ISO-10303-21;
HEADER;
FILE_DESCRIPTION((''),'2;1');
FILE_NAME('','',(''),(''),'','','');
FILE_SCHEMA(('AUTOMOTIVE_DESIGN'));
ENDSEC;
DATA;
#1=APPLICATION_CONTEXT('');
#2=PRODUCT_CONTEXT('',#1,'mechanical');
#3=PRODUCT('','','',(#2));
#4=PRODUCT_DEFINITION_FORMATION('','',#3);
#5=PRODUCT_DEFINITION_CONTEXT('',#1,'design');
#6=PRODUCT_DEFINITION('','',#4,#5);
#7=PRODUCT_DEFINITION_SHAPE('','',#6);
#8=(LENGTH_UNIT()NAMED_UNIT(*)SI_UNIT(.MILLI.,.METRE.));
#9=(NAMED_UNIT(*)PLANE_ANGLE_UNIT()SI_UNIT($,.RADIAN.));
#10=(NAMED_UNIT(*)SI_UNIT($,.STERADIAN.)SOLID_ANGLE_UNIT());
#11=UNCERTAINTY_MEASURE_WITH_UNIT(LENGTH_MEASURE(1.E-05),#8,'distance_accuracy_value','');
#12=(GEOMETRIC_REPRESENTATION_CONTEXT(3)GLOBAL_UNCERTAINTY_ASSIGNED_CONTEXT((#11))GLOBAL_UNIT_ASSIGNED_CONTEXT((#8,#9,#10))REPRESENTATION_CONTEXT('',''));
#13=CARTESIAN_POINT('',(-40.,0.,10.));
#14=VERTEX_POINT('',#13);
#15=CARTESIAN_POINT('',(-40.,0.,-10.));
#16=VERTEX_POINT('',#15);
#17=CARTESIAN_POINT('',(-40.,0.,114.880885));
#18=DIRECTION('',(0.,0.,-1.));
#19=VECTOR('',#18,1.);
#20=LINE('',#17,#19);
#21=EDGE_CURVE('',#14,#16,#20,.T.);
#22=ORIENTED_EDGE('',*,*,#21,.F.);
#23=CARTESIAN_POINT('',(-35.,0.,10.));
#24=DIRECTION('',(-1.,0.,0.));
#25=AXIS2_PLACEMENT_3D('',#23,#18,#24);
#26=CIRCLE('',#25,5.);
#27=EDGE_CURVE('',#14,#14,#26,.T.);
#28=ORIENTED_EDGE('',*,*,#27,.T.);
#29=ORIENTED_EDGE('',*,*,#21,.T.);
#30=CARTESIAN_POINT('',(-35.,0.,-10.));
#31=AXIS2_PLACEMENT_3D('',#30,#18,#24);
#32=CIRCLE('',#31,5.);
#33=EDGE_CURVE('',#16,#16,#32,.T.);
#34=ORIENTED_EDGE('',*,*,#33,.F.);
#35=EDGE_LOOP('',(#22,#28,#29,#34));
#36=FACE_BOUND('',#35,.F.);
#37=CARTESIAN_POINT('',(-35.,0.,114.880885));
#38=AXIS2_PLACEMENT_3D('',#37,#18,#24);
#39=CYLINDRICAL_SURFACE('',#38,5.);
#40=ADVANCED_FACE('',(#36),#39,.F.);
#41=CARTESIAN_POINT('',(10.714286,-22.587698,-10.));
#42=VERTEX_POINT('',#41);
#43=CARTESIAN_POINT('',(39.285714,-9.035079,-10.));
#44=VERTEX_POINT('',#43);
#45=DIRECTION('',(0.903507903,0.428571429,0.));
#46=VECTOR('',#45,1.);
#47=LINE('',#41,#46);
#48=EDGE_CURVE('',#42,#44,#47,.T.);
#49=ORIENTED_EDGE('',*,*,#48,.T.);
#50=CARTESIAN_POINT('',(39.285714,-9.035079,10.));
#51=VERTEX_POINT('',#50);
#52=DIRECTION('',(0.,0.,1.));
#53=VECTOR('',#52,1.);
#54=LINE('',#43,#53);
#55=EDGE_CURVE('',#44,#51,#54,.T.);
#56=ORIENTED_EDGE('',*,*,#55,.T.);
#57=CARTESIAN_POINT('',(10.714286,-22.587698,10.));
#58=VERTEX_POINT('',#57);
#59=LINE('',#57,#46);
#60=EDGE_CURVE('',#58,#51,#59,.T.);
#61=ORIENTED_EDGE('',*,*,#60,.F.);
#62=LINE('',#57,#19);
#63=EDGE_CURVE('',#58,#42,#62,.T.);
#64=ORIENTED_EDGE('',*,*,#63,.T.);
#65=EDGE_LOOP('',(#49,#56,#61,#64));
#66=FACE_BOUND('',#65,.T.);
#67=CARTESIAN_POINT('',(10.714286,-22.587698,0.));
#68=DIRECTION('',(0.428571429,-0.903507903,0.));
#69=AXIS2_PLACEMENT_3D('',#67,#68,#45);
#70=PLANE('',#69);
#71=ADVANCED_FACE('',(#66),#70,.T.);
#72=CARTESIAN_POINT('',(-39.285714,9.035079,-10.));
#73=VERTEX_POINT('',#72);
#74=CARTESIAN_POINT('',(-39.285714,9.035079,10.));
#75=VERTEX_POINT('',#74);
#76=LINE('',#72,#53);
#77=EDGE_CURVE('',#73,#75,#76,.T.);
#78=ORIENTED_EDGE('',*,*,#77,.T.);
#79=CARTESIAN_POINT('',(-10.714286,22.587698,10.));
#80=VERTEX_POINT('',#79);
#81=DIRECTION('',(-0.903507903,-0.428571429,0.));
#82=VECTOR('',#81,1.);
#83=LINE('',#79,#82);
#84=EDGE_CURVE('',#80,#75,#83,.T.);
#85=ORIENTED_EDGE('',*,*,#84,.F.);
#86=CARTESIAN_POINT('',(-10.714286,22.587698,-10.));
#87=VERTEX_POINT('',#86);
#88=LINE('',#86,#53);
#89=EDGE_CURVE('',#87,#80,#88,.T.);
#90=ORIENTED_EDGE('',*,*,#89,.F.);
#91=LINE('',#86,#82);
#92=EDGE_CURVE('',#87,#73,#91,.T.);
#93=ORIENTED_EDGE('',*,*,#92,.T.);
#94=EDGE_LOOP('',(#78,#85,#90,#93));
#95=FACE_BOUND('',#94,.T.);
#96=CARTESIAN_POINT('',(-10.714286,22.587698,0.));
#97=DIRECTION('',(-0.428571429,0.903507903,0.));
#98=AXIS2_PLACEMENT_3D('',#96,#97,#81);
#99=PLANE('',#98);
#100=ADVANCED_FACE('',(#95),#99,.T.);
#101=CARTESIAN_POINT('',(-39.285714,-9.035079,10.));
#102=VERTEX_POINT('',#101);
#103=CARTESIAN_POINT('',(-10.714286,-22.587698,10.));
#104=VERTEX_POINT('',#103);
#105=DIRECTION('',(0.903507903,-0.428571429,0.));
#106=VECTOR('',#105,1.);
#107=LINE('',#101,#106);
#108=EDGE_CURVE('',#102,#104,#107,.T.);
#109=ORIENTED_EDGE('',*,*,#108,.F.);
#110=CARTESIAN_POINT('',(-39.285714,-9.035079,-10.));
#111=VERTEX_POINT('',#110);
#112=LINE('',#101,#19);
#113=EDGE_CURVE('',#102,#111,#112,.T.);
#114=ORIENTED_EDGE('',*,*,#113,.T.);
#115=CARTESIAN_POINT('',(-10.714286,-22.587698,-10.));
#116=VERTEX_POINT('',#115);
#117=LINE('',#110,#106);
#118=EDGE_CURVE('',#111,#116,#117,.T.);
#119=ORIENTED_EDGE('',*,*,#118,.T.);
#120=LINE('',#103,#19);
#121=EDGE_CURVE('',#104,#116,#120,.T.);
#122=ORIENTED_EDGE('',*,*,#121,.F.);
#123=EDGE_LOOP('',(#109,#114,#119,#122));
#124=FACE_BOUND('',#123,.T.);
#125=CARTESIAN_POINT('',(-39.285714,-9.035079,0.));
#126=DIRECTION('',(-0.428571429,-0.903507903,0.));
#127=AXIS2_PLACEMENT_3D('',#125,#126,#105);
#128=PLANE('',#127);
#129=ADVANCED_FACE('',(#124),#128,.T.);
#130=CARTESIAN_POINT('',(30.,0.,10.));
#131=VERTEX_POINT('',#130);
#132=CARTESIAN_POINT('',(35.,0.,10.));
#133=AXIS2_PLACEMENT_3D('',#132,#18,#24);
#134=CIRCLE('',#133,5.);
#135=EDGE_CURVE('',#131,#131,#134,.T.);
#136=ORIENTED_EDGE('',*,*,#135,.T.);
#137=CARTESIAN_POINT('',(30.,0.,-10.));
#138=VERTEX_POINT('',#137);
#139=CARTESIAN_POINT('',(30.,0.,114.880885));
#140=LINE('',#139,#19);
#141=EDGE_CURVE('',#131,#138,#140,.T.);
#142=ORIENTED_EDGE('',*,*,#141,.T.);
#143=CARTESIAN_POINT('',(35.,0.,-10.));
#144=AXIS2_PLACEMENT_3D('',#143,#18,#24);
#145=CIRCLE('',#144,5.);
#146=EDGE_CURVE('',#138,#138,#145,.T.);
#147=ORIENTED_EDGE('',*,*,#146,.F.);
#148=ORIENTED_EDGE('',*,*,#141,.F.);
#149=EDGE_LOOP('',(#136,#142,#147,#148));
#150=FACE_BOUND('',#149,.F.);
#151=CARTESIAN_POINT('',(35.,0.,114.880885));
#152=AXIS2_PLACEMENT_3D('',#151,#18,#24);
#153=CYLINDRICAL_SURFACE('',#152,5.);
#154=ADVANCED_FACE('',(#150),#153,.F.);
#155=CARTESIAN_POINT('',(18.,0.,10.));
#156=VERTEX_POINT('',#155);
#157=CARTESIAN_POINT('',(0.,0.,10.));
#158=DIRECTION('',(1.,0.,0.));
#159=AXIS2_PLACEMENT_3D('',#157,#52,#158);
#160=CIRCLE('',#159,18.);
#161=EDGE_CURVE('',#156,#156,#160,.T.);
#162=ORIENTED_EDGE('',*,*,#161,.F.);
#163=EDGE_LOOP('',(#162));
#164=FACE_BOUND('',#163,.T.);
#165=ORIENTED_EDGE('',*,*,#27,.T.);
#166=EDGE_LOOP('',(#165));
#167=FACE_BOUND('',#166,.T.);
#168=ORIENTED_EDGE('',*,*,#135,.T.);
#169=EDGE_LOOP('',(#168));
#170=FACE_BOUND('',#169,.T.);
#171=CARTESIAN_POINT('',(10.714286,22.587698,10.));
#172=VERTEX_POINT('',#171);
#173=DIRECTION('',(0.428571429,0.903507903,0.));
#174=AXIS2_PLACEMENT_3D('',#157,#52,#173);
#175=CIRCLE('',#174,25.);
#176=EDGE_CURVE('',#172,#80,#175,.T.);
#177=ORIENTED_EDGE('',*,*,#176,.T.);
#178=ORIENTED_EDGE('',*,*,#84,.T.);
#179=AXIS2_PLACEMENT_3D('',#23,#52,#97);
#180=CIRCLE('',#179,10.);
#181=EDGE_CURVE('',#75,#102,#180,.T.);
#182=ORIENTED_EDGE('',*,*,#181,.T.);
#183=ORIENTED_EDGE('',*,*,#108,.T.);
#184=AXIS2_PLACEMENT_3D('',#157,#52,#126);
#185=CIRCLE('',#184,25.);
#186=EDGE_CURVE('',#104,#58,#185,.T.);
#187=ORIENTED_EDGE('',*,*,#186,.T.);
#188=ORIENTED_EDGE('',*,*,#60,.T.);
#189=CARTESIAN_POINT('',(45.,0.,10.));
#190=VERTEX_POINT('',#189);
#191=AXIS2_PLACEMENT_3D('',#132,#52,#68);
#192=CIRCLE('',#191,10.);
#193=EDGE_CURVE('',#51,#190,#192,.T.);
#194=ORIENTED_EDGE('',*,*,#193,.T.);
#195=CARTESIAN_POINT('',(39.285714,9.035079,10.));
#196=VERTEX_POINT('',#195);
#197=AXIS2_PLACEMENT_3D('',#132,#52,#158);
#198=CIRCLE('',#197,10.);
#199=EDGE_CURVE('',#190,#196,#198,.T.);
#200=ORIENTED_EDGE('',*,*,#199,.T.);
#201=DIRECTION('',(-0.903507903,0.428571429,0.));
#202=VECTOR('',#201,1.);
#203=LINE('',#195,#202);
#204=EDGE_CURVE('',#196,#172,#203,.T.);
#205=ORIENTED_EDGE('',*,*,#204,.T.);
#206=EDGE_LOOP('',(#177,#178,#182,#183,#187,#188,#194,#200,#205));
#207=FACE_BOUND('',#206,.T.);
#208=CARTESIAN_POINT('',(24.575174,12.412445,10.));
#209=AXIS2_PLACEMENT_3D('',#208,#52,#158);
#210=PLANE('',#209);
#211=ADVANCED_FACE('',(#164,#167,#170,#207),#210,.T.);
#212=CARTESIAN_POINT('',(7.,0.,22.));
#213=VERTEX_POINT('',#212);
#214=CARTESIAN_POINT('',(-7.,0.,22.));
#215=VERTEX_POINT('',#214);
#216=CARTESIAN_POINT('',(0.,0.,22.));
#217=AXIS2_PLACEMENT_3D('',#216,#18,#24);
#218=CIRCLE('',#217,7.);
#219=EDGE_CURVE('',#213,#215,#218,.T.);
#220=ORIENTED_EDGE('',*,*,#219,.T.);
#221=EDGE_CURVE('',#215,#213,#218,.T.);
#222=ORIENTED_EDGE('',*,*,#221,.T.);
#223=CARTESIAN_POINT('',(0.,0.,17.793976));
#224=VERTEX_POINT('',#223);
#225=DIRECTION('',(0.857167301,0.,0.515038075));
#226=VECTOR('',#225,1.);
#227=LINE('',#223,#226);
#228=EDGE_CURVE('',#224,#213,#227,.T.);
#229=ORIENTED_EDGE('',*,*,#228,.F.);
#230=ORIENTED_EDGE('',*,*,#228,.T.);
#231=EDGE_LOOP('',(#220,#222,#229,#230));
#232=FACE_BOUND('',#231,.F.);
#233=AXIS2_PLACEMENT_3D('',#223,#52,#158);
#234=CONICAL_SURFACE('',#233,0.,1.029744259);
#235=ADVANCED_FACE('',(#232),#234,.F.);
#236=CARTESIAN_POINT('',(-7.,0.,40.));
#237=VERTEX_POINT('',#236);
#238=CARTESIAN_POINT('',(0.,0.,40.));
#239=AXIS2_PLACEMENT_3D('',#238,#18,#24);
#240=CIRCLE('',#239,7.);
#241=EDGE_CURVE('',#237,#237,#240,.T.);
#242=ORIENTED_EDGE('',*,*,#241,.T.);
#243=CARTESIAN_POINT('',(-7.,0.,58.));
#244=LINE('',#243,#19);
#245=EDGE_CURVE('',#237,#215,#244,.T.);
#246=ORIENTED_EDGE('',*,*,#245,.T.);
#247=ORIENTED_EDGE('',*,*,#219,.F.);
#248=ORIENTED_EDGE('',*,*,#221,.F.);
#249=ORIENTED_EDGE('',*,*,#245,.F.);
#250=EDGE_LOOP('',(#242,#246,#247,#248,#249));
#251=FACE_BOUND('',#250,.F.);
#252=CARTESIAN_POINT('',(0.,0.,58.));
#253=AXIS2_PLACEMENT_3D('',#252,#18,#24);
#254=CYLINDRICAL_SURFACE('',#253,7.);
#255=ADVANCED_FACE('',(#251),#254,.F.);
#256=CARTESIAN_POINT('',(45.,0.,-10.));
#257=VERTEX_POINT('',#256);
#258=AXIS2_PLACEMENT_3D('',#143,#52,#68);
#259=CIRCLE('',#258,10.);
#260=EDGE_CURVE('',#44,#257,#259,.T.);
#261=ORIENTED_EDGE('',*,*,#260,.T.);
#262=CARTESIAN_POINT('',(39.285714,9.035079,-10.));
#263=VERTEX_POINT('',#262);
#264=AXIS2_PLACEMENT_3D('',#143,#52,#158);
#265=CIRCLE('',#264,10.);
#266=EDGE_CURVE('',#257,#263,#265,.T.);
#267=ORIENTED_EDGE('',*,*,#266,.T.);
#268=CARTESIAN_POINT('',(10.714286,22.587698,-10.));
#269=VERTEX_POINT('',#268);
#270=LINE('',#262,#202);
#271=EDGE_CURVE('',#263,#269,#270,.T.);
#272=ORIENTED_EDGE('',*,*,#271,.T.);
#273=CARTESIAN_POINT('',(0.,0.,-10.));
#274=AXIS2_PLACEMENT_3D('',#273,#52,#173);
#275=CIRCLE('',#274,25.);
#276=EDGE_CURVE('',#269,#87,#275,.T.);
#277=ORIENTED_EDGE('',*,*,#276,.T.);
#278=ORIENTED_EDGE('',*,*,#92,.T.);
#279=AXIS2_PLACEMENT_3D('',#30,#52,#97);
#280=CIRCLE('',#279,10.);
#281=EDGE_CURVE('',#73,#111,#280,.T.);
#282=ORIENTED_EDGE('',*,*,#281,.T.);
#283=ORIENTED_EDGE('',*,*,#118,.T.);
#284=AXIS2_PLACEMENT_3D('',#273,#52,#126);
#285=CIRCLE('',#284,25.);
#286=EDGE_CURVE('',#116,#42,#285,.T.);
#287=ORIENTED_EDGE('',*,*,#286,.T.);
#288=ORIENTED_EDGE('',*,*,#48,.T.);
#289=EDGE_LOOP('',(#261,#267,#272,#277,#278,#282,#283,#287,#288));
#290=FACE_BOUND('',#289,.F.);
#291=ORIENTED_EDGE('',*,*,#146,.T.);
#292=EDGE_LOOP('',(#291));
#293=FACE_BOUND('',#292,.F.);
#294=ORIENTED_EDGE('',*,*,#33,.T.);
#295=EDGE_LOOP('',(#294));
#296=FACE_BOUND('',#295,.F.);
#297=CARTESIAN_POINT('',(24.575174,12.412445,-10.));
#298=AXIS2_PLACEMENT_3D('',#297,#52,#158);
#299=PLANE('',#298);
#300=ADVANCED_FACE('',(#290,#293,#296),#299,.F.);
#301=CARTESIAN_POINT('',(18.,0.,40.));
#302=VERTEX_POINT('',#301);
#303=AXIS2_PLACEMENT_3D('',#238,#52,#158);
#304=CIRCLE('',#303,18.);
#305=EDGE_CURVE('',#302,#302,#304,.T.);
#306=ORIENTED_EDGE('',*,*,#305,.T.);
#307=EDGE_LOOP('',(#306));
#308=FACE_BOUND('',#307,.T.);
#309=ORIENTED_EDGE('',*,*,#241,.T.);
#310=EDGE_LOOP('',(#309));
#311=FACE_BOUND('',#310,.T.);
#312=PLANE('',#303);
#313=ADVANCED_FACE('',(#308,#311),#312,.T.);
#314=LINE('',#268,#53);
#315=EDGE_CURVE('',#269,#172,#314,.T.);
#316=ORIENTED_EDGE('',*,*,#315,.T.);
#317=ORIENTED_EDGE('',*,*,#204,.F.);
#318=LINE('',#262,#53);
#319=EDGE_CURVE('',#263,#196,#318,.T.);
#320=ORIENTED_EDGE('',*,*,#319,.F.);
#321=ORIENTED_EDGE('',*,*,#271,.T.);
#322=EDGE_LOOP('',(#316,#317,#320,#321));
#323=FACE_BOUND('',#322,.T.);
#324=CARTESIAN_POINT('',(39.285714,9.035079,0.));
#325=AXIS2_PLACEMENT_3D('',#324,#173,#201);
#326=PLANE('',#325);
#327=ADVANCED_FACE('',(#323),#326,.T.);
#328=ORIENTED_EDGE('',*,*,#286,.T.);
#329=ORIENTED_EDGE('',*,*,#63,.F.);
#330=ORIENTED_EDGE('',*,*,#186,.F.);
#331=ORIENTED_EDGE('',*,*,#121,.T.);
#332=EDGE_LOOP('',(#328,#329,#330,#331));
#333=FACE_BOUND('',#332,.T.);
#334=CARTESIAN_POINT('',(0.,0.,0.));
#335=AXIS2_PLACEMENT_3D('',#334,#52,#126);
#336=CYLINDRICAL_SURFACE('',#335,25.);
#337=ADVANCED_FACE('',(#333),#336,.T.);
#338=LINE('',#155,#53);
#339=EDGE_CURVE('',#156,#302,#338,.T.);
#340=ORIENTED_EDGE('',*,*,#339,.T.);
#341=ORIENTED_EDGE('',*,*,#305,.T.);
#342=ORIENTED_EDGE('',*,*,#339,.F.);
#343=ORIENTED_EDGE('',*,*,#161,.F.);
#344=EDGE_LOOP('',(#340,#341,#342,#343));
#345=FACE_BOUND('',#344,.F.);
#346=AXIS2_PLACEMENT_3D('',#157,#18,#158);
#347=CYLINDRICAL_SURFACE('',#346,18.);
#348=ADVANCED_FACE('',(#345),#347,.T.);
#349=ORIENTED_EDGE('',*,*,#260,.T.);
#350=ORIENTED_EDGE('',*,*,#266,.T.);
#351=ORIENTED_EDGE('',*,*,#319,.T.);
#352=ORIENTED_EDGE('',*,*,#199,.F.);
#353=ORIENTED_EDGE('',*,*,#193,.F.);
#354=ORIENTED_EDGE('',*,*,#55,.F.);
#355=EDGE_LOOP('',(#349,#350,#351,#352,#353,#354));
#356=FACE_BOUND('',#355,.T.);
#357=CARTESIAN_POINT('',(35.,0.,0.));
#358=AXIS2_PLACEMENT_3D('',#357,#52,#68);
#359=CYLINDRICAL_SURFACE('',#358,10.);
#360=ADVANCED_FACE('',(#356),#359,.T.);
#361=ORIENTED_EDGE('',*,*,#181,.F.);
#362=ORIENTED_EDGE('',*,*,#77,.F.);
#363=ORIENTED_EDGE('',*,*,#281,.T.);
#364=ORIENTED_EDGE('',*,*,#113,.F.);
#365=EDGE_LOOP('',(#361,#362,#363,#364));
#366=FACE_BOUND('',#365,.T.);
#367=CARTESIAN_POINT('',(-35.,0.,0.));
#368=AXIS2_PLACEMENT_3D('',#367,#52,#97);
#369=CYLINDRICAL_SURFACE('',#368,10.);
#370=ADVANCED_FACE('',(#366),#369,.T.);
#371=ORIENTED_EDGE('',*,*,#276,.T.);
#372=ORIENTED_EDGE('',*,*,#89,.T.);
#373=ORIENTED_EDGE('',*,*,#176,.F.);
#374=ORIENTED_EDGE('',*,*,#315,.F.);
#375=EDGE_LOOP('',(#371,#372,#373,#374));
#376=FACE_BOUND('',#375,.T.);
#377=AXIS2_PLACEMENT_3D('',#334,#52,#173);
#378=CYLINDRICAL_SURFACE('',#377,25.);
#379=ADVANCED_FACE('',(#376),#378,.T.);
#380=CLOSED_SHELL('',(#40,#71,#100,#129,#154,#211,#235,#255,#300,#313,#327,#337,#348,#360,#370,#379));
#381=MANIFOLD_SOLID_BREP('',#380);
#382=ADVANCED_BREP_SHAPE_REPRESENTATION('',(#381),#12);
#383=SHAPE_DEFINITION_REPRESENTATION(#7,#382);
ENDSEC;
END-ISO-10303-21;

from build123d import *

# Parameters (mm, degrees)
F1_DEPTH = 10
F3_D     = 10
F4_R     = 18
F5_DEPTH = 30
F7_D     = 14
F7_DEPTH = 18
F7_TIP   = 4.2060243332


with BuildPart() as f1:
    # F0 (on Top) → F1 (new body, symmetric)
    with BuildSketch(Plane.XY):
        with BuildLine():
            ThreePointArc((10.7142857143, 22.5876975726), (21.1288563682, 13.3630620956), (25, 0))
            ThreePointArc((25, 0), (29.6547751618, 8.4515425473), (39.2857142857, 9.0350790291))
            Line((39.2857142857, 9.0350790291), (10.7142857143, 22.5876975726))
        make_face()
        with BuildLine():
            ThreePointArc((39.2857142857, -9.0350790291), (29.6547751618, -8.4515425473), (25, 0))
            ThreePointArc((25, 0), (21.1288563682, -13.3630620956), (10.7142857143, -22.5876975726))
            Line((10.7142857143, -22.5876975726), (39.2857142857, -9.0350790291))
        make_face()
        with BuildLine():
            ThreePointArc((-25, 0), (-21.1288563682, 13.3630620956), (-10.7142857143, 22.5876975726))
            Line((-10.7142857143, 22.5876975726), (-39.2857142857, 9.0350790291))
            ThreePointArc((-39.2857142857, 9.0350790291), (-29.6547751618, 8.4515425473), (-25, 0))
        make_face()
        with BuildLine():
            ThreePointArc((-39.2857142857, -9.0350790291), (-29.6547751618, -8.4515425473), (-25, 0))
            ThreePointArc((-25, 0), (-29.6547751618, 8.4515425473), (-39.2857142857, 9.0350790291))
            ThreePointArc((-39.2857142857, 9.0350790291), (-45, 0), (-39.2857142857, -9.0350790291))
        make_face()
        with BuildLine():
            ThreePointArc((39.2857142857, 9.0350790291), (29.6547751618, 8.4515425473), (25, 0))
            ThreePointArc((25, 0), (29.6547751618, -8.4515425473), (39.2857142857, -9.0350790291))
            ThreePointArc((39.2857142857, -9.0350790291), (43.4515425473, -5.3452248382), (45, 0))
            ThreePointArc((45, 0), (43.4515425473, 5.3452248382), (39.2857142857, 9.0350790291))
        make_face()
        with BuildLine():
            Line((-39.2857142857, -9.0350790291), (-10.7142857143, -22.5876975726))
            ThreePointArc((-10.7142857143, -22.5876975726), (-21.1288563682, -13.3630620956), (-25, 0))
            ThreePointArc((-25, 0), (-29.6547751618, -8.4515425473), (-39.2857142857, -9.0350790291))
        make_face()
        with BuildLine():
            ThreePointArc((10.7142857143, -22.5876975726), (21.1288563682, -13.3630620956), (25, 0))
            ThreePointArc((25, 0), (21.1288563682, 13.3630620956), (10.7142857143, 22.5876975726))
            ThreePointArc((10.7142857143, 22.5876975726), (0, 25), (-10.7142857143, 22.5876975726))
            ThreePointArc((-10.7142857143, 22.5876975726), (-21.1288563682, 13.3630620956), (-25, 0))
            ThreePointArc((-25, 0), (-21.1288563682, -13.3630620956), (-10.7142857143, -22.5876975726))
            ThreePointArc((-10.7142857143, -22.5876975726), (0, -25), (10.7142857143, -22.5876975726))
        make_face()
    extrude(amount=F1_DEPTH, both=True)

    # F3 (through all)
    with Locations(Plane.XY.offset(10)):
        with Locations((-35, 0), (35, 0)):
            Hole(F3_D / 2)

    # F4 (on face) → F5 (join)
    with BuildSketch(Plane.XY.offset(10)):
        Circle(F4_R)
    extrude(amount=F5_DEPTH)

    # F7
    with Locations(Plane.XY.offset(40)):
        with Locations((0, 0)):
            Hole(F7_D / 2, depth=F7_DEPTH)
            with Locations((0, 0, -(F7_DEPTH + F7_TIP / 2))):  # 118° drill point
                Cone(0, F7_D / 2, F7_TIP, mode=Mode.SUBTRACT)


solid = f1.part
